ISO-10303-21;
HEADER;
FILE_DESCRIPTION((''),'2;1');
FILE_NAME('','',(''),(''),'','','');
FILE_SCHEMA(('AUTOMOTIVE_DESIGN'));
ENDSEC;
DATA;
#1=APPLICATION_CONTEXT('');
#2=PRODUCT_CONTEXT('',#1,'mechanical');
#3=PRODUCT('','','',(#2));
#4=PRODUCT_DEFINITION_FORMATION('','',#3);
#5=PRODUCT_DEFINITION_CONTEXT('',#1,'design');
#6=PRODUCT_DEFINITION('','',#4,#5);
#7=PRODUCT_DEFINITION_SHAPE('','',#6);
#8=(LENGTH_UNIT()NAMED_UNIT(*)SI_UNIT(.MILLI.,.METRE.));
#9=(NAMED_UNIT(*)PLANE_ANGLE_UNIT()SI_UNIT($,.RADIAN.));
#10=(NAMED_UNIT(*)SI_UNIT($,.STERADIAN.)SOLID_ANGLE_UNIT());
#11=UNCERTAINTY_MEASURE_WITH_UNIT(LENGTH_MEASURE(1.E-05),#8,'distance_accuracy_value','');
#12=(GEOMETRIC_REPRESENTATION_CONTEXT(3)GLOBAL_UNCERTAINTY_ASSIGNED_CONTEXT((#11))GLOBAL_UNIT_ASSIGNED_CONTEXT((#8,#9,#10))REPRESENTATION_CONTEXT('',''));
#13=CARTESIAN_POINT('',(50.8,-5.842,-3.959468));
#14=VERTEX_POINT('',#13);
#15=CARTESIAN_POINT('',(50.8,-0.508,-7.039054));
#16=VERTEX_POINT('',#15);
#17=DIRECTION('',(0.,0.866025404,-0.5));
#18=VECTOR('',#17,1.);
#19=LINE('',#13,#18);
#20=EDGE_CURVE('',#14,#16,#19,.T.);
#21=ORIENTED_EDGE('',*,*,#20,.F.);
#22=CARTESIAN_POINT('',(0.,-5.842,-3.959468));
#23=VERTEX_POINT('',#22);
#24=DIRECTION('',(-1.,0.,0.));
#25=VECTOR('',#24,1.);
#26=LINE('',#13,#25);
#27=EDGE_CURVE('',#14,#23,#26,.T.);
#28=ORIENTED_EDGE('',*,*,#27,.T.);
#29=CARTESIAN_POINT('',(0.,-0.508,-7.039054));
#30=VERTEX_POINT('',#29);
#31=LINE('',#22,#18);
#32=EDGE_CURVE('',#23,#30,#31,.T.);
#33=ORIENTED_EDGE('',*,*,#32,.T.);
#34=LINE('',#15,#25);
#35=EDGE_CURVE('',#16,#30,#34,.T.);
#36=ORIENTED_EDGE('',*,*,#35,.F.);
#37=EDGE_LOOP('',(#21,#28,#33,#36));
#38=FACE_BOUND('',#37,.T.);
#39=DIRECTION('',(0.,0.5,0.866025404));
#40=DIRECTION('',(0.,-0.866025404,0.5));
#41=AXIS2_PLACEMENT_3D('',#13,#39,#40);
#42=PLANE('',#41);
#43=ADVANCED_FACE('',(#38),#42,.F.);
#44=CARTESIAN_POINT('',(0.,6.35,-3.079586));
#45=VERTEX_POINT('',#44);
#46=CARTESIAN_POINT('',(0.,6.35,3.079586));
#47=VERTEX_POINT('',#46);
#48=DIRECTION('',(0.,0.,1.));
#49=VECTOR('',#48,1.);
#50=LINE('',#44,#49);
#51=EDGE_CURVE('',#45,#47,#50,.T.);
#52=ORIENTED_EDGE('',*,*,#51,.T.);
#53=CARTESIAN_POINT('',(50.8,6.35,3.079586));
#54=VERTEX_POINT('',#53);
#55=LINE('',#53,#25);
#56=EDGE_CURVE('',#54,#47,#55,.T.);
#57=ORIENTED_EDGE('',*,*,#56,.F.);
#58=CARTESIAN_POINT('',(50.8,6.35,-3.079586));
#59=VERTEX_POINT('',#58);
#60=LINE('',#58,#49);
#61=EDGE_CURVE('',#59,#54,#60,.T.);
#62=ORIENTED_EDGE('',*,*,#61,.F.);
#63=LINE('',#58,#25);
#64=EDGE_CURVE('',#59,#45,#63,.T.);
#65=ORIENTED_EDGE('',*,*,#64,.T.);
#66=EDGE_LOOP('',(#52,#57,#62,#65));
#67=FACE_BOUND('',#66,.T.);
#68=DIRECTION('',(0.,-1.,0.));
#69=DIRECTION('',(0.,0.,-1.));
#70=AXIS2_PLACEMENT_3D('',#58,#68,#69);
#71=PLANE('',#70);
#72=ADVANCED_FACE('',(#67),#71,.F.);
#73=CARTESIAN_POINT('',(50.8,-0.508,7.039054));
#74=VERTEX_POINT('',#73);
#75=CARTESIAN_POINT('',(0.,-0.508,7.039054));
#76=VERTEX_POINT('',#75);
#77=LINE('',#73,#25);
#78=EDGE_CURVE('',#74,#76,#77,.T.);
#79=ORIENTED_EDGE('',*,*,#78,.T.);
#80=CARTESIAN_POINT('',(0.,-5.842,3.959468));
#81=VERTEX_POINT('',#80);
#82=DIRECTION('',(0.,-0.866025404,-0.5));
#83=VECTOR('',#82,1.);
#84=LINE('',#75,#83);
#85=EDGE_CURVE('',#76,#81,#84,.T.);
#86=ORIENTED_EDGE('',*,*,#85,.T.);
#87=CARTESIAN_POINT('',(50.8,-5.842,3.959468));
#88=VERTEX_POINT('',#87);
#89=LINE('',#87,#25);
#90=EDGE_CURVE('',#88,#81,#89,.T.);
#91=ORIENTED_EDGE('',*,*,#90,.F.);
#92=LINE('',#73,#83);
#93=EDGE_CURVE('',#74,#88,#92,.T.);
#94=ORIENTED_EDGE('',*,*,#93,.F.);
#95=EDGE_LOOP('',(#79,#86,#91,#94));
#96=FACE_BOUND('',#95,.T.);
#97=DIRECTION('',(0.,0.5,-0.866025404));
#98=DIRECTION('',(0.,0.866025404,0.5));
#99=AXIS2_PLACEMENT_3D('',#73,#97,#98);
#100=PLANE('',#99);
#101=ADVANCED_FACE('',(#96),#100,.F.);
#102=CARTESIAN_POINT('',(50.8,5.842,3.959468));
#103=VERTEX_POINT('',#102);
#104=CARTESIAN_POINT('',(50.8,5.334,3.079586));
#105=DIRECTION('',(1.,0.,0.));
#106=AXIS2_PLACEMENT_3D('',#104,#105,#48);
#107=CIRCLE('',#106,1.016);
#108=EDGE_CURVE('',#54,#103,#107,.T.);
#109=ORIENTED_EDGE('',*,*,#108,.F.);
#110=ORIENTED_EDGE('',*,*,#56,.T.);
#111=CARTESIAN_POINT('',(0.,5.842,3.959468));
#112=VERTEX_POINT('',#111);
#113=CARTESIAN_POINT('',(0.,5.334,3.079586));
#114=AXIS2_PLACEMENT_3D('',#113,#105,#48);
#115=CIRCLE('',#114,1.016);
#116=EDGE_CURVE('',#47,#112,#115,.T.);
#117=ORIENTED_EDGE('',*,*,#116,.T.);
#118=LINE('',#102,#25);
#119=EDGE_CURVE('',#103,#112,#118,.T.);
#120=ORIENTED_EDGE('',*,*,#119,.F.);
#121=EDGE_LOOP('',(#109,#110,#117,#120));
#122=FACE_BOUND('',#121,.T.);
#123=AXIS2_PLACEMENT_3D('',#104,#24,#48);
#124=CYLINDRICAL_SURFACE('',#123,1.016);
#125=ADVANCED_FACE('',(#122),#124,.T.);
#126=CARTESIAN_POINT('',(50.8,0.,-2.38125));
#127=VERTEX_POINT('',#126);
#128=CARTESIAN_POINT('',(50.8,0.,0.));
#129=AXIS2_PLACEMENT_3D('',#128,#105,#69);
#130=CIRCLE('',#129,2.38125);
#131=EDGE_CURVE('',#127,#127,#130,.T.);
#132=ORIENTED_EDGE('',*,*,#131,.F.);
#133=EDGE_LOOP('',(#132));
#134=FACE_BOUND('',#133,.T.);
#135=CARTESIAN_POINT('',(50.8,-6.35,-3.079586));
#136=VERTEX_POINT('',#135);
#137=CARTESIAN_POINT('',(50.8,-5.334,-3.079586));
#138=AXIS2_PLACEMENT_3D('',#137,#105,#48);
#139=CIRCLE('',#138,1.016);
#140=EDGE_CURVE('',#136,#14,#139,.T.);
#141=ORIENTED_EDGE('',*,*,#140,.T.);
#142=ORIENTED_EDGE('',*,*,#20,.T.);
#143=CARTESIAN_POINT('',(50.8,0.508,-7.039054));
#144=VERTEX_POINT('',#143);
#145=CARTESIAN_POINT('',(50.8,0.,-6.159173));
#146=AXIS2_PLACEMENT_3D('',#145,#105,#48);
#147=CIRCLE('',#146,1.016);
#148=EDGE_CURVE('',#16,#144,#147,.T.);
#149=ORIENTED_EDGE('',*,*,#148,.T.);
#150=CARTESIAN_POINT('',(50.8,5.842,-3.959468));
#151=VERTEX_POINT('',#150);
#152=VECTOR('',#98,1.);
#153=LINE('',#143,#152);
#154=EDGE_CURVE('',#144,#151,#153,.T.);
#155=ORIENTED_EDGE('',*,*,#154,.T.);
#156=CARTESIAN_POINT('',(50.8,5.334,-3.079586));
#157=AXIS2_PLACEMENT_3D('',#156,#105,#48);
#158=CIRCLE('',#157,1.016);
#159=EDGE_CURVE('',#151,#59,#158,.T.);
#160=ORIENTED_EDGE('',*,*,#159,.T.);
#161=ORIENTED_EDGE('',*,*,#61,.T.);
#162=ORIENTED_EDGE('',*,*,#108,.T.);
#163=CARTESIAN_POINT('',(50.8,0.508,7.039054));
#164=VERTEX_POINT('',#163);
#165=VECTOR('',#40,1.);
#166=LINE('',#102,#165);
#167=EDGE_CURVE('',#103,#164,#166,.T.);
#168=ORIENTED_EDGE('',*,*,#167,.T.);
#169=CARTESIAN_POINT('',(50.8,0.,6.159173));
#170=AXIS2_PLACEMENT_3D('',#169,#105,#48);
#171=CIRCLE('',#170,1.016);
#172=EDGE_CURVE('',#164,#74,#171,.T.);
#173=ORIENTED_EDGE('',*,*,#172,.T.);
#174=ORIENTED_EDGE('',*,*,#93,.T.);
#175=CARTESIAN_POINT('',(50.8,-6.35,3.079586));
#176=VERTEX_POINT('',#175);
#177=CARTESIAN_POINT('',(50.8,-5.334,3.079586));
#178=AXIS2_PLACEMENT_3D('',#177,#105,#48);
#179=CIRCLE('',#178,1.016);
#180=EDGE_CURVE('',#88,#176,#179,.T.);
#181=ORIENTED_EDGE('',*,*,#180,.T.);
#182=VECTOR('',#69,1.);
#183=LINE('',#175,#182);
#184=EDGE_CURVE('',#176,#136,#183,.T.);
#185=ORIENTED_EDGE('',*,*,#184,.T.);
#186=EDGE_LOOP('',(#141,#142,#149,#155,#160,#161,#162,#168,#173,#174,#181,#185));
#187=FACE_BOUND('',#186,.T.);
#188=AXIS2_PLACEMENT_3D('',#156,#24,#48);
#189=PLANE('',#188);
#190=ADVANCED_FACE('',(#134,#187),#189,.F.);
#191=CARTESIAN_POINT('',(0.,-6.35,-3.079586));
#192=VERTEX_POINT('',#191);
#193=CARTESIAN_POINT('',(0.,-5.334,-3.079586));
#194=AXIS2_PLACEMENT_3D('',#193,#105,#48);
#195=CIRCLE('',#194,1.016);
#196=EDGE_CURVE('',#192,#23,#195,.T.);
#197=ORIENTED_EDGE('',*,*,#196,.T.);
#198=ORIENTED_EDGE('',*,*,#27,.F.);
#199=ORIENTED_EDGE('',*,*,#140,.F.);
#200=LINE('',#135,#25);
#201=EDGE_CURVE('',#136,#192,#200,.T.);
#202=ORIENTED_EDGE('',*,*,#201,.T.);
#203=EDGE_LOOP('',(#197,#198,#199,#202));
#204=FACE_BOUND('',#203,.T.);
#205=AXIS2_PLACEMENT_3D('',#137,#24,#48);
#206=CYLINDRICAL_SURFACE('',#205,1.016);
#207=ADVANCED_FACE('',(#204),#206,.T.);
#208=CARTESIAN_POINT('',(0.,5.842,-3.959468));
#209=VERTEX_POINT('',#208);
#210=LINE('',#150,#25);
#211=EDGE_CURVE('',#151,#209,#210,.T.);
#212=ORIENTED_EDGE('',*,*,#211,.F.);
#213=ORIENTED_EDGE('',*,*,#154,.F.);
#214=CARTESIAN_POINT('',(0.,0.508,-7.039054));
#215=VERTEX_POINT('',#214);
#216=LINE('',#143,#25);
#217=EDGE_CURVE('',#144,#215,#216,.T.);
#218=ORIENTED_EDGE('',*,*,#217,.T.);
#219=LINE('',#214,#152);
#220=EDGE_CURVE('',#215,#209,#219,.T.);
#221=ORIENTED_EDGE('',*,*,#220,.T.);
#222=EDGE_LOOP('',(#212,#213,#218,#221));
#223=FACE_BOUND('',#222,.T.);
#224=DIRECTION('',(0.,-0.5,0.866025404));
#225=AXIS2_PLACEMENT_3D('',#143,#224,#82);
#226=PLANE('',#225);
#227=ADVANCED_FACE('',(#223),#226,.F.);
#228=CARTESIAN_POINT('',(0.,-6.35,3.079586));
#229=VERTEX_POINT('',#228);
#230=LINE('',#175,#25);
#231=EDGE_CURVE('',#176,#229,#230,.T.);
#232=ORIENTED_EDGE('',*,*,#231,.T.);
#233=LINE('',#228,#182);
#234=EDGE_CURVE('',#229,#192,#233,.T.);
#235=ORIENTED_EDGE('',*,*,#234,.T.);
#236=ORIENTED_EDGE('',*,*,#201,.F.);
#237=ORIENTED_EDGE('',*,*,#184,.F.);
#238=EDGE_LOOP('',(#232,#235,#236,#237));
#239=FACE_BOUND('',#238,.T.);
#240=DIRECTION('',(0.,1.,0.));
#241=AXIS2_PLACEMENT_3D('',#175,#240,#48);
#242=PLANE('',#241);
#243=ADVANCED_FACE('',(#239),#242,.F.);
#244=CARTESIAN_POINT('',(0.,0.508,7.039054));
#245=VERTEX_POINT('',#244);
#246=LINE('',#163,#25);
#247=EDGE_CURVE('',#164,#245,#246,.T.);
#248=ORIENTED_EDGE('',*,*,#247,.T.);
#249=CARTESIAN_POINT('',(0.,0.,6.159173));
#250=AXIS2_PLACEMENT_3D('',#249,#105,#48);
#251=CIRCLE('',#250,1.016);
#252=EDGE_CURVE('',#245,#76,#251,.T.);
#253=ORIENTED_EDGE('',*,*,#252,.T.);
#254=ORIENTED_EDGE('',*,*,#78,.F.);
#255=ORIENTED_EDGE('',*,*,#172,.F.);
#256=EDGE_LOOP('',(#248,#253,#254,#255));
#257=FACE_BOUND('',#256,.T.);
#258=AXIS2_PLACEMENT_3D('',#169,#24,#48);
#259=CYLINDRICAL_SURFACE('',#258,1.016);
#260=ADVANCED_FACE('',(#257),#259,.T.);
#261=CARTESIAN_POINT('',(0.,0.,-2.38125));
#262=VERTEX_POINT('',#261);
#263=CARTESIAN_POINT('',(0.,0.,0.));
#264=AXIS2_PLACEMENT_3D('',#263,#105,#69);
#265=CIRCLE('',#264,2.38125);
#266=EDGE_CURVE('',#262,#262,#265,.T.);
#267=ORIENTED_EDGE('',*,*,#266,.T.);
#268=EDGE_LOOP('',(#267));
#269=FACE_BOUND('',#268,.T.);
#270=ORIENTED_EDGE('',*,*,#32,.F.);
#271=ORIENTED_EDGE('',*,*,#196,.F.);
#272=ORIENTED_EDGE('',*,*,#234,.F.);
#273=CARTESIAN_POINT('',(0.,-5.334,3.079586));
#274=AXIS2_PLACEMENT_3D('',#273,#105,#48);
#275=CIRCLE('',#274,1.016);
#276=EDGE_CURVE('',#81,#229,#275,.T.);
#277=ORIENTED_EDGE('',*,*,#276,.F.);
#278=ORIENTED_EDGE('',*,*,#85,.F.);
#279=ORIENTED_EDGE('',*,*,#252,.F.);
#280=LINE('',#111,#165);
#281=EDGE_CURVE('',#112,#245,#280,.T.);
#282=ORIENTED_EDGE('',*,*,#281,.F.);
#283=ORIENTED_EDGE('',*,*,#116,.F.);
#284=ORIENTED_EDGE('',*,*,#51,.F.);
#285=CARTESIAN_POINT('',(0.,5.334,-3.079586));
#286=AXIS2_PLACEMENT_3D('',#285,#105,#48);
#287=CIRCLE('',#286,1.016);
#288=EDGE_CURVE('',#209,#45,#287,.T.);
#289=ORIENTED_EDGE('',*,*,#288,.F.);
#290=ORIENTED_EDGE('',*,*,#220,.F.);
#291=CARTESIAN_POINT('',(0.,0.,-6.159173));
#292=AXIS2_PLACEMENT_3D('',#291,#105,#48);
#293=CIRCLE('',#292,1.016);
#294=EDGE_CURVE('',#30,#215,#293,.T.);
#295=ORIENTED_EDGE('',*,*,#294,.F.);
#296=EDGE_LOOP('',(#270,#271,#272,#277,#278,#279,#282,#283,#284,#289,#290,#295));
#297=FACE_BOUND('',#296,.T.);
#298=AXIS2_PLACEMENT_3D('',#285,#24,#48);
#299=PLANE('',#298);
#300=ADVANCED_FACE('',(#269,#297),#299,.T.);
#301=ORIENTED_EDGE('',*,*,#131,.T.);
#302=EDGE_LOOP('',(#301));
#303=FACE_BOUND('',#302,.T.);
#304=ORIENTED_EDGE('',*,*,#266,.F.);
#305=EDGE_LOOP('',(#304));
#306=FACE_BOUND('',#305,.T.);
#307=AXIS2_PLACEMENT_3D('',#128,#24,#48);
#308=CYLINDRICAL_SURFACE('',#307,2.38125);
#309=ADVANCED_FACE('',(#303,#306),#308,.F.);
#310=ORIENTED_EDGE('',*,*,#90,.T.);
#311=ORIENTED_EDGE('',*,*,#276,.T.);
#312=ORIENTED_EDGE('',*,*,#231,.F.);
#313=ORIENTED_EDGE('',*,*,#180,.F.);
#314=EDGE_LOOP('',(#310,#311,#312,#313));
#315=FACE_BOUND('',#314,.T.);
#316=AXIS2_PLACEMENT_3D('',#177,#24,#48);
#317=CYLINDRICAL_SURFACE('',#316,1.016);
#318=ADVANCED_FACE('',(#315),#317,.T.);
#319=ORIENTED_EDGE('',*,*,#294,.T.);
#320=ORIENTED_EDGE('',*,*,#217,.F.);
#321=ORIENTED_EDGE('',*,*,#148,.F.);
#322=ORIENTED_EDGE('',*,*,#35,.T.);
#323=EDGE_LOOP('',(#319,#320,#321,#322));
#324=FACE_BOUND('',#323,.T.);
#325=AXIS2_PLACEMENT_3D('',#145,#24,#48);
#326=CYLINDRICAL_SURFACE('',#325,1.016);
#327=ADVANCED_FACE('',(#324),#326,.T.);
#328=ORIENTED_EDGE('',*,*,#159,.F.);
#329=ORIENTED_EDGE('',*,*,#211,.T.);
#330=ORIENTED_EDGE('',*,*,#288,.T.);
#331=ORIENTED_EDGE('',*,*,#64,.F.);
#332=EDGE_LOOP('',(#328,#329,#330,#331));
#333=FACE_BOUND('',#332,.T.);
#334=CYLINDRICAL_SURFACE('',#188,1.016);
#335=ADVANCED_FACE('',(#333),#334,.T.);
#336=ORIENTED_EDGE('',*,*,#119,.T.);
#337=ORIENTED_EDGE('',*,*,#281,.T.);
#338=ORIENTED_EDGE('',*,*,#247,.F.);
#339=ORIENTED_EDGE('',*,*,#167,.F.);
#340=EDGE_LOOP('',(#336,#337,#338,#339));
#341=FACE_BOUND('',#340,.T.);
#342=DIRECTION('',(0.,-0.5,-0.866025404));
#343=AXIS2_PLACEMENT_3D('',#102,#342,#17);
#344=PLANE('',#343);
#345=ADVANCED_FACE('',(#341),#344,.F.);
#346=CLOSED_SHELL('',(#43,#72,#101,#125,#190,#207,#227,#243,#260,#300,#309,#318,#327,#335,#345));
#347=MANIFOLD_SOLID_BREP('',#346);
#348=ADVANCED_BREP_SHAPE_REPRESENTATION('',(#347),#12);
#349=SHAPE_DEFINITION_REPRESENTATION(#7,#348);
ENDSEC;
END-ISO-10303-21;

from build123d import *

# Parameters (mm, degrees)
SKETCH1_R           = 2.38125
BOSS_EXTRUDE1_DEPTH = 50.8


with BuildPart() as part:
    # Sketch1 → Boss-Extrude1 (new body)
    with BuildSketch(Plane(origin=(0, 0, 0), x_dir=(0, 0, -1), z_dir=(1, 0, 0))):
        with BuildLine():
            Line((7.039054482, 0.508), (3.959468146, 5.842))
            ThreePointArc((3.959468146, 5.842), (3.587586336, 6.21388181), (3.079586336, 6.35))
            Line((3.079586336, 6.35), (-3.079586336, 6.35))
            ThreePointArc((-3.079586336, 6.35), (-3.587586336, 6.21388181), (-3.959468146, 5.842))
            Line((-3.959468146, 5.842), (-7.039054482, 0.508))
            ThreePointArc((-7.039054482, 0.508), (-7.175172672, 0), (-7.039054482, -0.508))
            Line((-7.039054482, -0.508), (-3.959468146, -5.842))
            ThreePointArc((-3.959468146, -5.842), (-3.587586336, -6.21388181), (-3.079586336, -6.35))
            Line((-3.079586336, -6.35), (3.079586336, -6.35))
            ThreePointArc((3.079586336, -6.35), (3.587586336, -6.21388181), (3.959468146, -5.842))
            Line((3.959468146, -5.842), (7.039054482, -0.508))
            ThreePointArc((7.039054482, -0.508), (7.175172672, 0), (7.039054482, 0.508))
        make_face()
        Circle(SKETCH1_R, mode=Mode.SUBTRACT)
    extrude(amount=BOSS_EXTRUDE1_DEPTH)


solid = part.part
